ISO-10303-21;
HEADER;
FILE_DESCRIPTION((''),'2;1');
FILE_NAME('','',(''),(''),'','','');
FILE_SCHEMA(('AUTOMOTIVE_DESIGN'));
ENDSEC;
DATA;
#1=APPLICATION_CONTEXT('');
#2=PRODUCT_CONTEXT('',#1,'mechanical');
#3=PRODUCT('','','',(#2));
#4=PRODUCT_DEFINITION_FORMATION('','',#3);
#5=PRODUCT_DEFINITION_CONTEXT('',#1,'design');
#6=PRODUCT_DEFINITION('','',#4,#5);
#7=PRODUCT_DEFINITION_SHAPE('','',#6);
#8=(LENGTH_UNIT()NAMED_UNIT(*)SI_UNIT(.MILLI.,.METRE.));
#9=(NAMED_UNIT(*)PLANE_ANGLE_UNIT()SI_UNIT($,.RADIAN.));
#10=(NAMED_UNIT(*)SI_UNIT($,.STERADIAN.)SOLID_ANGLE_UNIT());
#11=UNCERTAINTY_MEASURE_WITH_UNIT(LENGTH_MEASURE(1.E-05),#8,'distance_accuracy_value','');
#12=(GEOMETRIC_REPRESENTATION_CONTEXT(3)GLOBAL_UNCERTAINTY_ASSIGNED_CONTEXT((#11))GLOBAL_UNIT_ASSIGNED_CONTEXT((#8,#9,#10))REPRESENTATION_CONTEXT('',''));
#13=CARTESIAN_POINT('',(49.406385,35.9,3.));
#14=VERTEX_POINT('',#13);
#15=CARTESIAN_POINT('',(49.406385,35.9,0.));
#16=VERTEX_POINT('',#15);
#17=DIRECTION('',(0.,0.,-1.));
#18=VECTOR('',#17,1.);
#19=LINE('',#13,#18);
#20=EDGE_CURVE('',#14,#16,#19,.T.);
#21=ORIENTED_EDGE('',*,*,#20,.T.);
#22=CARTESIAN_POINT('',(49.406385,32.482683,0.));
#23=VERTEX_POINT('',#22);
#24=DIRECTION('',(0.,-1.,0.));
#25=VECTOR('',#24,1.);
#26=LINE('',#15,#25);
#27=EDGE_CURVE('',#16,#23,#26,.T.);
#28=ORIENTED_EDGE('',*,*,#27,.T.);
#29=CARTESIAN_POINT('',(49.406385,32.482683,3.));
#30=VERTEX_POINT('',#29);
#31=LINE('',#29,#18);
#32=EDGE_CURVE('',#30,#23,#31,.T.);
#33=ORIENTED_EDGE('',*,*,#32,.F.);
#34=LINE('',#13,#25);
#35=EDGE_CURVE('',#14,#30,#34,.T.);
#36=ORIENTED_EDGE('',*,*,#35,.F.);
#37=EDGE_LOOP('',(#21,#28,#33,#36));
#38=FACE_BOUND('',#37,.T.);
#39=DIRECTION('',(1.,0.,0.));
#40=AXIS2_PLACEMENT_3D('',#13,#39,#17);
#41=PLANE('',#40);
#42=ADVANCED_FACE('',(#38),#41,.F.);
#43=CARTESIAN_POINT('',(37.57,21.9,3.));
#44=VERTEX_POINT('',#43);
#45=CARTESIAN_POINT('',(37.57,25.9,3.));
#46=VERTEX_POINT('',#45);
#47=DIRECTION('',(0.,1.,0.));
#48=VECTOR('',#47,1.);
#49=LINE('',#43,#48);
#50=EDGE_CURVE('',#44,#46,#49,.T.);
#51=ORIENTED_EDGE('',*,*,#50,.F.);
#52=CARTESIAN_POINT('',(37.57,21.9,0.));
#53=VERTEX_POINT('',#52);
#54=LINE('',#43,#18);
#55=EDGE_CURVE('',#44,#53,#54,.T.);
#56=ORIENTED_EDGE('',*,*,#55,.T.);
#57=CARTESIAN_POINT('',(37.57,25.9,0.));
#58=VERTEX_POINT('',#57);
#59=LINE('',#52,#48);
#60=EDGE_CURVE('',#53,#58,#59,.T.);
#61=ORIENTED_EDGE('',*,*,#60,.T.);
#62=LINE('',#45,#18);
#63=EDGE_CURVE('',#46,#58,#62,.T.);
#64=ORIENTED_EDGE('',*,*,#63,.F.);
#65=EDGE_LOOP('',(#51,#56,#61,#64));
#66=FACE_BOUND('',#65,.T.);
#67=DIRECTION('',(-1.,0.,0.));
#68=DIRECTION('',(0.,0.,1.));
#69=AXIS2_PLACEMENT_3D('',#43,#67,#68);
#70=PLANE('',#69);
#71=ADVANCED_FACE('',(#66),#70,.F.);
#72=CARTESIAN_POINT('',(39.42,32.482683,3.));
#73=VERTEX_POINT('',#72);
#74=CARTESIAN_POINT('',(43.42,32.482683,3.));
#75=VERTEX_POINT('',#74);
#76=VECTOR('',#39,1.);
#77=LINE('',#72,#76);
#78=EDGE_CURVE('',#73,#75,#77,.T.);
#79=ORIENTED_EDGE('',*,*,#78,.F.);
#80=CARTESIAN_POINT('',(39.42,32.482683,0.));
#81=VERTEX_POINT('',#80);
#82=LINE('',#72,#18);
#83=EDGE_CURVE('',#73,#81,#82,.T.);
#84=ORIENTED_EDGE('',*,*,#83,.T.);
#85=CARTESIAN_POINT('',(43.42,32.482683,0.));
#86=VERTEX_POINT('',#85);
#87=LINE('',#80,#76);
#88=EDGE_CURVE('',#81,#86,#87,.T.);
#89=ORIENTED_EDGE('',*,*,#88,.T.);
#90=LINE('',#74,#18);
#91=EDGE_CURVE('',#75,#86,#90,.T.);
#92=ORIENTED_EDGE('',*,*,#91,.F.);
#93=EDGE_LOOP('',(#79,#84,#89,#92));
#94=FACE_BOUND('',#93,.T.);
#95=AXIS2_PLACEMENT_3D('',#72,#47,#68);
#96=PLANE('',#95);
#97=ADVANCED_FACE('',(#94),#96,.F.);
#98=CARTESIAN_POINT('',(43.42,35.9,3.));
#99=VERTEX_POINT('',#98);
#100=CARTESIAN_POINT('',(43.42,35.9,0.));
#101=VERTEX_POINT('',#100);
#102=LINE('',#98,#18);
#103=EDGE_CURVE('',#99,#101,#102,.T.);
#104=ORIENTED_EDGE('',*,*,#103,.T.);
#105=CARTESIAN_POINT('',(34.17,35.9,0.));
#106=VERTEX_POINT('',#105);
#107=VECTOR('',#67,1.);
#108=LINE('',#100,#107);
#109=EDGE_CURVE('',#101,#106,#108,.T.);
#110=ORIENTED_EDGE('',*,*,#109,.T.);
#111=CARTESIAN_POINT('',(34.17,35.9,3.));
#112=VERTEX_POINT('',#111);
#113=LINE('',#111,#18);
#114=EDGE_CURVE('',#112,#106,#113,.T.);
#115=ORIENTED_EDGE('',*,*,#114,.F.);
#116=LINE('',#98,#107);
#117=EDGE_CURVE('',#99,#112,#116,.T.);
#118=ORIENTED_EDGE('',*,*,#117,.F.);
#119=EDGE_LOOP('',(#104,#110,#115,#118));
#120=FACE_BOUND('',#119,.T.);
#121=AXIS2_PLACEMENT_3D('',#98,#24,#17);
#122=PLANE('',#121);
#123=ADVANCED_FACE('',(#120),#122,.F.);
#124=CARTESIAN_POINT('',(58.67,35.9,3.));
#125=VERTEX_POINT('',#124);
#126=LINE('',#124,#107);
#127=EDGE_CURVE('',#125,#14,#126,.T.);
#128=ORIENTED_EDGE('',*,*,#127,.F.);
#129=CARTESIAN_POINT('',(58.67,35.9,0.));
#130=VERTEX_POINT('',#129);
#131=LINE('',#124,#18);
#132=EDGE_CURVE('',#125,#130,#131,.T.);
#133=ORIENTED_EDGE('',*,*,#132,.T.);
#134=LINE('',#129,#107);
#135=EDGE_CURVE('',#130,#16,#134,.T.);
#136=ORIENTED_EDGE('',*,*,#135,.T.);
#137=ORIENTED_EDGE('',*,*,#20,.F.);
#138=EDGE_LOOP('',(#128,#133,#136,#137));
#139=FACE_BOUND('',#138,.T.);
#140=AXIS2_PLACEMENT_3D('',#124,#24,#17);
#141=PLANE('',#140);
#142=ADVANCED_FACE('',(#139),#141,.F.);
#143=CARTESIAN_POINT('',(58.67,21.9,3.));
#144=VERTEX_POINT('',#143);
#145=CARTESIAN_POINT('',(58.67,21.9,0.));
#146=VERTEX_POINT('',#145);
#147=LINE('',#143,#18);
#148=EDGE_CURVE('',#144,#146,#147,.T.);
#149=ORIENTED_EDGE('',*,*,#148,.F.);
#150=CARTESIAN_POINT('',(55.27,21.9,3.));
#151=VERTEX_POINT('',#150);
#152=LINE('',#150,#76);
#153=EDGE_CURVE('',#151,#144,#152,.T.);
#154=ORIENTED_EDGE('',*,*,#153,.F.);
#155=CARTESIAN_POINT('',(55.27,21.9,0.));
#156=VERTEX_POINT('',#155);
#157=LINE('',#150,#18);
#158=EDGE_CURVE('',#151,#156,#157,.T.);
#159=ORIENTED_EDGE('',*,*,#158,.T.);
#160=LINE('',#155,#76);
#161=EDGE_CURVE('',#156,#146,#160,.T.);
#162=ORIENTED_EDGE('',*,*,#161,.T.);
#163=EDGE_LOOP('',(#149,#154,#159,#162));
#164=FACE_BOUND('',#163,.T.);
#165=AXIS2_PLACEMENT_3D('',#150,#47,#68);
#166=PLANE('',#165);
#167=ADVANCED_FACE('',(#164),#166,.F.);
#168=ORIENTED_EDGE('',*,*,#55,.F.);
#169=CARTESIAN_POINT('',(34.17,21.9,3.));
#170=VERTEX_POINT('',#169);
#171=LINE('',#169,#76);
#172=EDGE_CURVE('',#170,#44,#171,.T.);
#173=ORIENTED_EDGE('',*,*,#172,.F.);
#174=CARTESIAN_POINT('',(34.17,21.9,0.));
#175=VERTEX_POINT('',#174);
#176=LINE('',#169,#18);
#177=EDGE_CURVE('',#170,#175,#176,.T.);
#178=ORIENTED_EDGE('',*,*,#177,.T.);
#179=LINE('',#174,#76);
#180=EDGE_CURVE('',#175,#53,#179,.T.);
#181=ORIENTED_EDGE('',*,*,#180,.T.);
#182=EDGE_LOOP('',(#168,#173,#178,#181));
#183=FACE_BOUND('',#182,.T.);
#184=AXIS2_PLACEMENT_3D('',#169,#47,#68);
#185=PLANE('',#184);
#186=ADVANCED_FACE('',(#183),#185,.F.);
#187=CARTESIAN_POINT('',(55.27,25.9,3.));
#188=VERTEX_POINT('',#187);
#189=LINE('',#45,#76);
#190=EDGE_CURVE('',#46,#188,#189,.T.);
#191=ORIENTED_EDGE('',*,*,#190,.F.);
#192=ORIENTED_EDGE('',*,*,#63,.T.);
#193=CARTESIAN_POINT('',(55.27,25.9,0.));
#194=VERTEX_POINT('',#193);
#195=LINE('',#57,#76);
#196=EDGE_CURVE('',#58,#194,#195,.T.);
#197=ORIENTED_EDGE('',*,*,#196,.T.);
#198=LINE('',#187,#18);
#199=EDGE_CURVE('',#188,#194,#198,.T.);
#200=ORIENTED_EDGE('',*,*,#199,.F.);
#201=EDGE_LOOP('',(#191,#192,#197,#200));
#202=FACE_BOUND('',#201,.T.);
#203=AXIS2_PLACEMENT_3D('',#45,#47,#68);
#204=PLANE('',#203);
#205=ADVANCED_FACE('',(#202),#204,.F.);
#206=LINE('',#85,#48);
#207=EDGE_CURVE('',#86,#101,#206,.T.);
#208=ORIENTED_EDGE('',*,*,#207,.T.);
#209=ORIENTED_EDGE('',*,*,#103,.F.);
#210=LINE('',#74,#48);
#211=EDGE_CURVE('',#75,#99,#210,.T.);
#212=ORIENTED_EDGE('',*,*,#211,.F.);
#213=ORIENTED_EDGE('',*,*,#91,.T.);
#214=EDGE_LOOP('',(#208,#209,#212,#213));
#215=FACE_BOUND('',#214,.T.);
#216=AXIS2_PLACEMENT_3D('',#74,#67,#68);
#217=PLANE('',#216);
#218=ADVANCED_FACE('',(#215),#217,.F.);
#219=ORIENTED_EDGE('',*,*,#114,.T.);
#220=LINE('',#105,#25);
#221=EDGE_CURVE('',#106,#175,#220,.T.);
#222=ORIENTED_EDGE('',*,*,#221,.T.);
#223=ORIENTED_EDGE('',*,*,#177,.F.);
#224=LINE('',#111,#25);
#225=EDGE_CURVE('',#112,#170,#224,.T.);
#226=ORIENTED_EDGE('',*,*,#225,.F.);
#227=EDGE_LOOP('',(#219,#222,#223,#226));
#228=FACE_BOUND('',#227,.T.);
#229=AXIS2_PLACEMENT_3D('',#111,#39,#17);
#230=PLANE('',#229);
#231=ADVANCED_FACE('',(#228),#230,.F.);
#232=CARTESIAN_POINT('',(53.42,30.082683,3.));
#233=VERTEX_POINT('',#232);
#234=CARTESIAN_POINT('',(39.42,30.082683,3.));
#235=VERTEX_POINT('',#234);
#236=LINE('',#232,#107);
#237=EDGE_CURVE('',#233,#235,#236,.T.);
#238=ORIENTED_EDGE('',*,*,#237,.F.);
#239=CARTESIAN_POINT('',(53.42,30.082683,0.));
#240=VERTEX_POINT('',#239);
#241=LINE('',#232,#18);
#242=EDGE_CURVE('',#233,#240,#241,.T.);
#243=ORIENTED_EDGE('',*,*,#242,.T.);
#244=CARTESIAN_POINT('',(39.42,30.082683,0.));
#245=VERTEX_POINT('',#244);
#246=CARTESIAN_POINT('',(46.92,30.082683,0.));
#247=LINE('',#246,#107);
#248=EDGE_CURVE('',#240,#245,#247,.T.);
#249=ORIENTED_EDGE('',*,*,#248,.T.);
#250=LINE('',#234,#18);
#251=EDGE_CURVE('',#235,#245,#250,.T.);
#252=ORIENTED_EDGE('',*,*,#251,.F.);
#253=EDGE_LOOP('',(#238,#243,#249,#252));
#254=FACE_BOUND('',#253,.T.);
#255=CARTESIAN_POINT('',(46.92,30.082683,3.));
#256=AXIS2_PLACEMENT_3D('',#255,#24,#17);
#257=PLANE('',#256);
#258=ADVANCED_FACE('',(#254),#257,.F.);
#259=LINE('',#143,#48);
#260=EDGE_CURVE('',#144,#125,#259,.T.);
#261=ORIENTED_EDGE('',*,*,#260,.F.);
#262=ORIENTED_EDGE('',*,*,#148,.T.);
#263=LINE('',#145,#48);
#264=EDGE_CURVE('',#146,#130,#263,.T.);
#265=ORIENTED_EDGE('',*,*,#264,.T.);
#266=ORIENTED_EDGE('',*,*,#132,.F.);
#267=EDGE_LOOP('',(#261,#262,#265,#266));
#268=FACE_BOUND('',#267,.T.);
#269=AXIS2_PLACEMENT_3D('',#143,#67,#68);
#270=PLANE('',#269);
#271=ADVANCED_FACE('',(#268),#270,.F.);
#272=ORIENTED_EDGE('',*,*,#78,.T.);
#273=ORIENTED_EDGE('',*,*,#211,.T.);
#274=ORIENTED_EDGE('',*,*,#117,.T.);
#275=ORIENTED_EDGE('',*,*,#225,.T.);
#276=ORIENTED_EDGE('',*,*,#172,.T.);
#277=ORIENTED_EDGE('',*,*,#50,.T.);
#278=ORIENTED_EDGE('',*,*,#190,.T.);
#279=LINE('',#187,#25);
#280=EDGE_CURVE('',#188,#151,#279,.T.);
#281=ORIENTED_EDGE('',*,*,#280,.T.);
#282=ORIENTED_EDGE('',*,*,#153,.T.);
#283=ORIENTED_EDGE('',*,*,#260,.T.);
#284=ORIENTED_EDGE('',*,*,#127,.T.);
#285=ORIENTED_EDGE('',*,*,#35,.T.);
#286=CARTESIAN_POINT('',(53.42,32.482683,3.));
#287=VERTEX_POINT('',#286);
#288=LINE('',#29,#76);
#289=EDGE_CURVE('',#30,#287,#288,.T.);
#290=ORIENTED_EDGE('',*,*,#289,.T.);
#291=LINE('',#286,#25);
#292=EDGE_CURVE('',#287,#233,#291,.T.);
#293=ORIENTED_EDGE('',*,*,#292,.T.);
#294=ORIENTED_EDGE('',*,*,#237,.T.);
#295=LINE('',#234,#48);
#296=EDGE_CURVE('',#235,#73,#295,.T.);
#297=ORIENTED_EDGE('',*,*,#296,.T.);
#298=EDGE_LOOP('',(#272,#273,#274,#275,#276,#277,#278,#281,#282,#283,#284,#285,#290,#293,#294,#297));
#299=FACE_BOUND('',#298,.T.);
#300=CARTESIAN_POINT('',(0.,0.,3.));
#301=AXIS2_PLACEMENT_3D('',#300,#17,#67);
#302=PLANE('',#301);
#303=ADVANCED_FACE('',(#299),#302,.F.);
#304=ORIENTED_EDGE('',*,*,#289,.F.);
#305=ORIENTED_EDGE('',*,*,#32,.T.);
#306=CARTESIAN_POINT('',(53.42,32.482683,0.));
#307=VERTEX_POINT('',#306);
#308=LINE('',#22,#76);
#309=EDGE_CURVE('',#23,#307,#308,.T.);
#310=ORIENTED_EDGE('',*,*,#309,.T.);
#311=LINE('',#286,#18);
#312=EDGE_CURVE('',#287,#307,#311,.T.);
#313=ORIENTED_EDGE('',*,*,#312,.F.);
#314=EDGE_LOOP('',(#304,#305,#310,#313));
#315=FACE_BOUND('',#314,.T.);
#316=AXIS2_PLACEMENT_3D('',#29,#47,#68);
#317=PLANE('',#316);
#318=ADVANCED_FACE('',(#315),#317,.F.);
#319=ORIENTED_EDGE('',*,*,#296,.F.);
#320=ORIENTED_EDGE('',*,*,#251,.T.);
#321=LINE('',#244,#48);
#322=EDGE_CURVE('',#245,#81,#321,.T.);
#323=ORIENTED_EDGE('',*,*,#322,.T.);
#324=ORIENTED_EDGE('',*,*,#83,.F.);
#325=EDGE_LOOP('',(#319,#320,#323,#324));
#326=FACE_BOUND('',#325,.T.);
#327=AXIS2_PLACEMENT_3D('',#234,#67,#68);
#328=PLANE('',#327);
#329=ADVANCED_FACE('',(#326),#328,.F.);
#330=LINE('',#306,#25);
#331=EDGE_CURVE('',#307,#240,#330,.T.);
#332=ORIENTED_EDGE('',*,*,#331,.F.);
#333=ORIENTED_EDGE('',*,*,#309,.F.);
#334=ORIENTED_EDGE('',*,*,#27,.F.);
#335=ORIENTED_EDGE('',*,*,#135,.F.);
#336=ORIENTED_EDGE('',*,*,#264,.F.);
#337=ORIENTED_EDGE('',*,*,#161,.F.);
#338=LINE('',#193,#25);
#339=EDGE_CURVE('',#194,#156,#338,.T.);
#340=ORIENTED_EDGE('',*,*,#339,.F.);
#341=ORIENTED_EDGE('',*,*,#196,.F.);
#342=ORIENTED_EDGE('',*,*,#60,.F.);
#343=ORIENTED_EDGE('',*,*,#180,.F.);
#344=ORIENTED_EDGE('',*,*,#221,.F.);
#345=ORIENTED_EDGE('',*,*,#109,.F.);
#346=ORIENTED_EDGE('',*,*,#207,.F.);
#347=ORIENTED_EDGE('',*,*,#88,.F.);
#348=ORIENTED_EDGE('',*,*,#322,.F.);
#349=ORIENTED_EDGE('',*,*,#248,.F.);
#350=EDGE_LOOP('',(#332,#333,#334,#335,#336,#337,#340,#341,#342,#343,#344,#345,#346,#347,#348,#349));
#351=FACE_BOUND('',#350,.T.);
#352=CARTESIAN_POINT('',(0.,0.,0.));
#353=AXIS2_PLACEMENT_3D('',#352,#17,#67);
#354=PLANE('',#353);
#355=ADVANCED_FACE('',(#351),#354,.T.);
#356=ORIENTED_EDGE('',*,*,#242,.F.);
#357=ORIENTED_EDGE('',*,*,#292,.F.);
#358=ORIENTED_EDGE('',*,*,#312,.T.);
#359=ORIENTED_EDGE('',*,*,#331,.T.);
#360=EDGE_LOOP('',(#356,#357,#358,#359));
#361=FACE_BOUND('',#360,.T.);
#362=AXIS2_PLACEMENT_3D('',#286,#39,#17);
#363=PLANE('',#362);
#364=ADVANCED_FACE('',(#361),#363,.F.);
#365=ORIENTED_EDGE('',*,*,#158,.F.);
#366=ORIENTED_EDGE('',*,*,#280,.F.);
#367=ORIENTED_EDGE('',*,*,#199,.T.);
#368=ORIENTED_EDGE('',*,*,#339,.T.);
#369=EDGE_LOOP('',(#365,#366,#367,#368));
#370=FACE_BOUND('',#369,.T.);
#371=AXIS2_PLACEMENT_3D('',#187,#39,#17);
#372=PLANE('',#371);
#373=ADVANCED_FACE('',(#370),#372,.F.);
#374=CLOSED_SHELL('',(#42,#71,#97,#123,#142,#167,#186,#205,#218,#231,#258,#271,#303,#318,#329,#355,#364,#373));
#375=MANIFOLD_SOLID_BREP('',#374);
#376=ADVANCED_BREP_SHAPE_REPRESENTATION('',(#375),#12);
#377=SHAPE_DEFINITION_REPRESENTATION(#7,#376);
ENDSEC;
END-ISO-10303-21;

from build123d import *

# Parameters (mm, degrees)
SALIENTE_EXTRUIR1_DEPTH = 3


with BuildPart() as part:
    # Model → Saliente-Extruir1 (new body)
    with BuildSketch(Plane.XY):
        Polygon((46.92, 30.082683294), (39.42, 30.082683294), (39.42, 32.482683294), (43.42, 32.482683294), (43.42, 35.9), (34.17, 35.9), (34.17, 21.9), (37.57, 21.9), (37.57, 25.9), (55.27, 25.9), (55.27, 21.9), (58.67, 21.9), (58.67, 35.9), (49.406385402, 35.9), (49.406385402, 32.482683294), (53.42, 32.482683294), (53.42, 30.082683294), align=None)
    extrude(amount=SALIENTE_EXTRUIR1_DEPTH)


solid = part.part
